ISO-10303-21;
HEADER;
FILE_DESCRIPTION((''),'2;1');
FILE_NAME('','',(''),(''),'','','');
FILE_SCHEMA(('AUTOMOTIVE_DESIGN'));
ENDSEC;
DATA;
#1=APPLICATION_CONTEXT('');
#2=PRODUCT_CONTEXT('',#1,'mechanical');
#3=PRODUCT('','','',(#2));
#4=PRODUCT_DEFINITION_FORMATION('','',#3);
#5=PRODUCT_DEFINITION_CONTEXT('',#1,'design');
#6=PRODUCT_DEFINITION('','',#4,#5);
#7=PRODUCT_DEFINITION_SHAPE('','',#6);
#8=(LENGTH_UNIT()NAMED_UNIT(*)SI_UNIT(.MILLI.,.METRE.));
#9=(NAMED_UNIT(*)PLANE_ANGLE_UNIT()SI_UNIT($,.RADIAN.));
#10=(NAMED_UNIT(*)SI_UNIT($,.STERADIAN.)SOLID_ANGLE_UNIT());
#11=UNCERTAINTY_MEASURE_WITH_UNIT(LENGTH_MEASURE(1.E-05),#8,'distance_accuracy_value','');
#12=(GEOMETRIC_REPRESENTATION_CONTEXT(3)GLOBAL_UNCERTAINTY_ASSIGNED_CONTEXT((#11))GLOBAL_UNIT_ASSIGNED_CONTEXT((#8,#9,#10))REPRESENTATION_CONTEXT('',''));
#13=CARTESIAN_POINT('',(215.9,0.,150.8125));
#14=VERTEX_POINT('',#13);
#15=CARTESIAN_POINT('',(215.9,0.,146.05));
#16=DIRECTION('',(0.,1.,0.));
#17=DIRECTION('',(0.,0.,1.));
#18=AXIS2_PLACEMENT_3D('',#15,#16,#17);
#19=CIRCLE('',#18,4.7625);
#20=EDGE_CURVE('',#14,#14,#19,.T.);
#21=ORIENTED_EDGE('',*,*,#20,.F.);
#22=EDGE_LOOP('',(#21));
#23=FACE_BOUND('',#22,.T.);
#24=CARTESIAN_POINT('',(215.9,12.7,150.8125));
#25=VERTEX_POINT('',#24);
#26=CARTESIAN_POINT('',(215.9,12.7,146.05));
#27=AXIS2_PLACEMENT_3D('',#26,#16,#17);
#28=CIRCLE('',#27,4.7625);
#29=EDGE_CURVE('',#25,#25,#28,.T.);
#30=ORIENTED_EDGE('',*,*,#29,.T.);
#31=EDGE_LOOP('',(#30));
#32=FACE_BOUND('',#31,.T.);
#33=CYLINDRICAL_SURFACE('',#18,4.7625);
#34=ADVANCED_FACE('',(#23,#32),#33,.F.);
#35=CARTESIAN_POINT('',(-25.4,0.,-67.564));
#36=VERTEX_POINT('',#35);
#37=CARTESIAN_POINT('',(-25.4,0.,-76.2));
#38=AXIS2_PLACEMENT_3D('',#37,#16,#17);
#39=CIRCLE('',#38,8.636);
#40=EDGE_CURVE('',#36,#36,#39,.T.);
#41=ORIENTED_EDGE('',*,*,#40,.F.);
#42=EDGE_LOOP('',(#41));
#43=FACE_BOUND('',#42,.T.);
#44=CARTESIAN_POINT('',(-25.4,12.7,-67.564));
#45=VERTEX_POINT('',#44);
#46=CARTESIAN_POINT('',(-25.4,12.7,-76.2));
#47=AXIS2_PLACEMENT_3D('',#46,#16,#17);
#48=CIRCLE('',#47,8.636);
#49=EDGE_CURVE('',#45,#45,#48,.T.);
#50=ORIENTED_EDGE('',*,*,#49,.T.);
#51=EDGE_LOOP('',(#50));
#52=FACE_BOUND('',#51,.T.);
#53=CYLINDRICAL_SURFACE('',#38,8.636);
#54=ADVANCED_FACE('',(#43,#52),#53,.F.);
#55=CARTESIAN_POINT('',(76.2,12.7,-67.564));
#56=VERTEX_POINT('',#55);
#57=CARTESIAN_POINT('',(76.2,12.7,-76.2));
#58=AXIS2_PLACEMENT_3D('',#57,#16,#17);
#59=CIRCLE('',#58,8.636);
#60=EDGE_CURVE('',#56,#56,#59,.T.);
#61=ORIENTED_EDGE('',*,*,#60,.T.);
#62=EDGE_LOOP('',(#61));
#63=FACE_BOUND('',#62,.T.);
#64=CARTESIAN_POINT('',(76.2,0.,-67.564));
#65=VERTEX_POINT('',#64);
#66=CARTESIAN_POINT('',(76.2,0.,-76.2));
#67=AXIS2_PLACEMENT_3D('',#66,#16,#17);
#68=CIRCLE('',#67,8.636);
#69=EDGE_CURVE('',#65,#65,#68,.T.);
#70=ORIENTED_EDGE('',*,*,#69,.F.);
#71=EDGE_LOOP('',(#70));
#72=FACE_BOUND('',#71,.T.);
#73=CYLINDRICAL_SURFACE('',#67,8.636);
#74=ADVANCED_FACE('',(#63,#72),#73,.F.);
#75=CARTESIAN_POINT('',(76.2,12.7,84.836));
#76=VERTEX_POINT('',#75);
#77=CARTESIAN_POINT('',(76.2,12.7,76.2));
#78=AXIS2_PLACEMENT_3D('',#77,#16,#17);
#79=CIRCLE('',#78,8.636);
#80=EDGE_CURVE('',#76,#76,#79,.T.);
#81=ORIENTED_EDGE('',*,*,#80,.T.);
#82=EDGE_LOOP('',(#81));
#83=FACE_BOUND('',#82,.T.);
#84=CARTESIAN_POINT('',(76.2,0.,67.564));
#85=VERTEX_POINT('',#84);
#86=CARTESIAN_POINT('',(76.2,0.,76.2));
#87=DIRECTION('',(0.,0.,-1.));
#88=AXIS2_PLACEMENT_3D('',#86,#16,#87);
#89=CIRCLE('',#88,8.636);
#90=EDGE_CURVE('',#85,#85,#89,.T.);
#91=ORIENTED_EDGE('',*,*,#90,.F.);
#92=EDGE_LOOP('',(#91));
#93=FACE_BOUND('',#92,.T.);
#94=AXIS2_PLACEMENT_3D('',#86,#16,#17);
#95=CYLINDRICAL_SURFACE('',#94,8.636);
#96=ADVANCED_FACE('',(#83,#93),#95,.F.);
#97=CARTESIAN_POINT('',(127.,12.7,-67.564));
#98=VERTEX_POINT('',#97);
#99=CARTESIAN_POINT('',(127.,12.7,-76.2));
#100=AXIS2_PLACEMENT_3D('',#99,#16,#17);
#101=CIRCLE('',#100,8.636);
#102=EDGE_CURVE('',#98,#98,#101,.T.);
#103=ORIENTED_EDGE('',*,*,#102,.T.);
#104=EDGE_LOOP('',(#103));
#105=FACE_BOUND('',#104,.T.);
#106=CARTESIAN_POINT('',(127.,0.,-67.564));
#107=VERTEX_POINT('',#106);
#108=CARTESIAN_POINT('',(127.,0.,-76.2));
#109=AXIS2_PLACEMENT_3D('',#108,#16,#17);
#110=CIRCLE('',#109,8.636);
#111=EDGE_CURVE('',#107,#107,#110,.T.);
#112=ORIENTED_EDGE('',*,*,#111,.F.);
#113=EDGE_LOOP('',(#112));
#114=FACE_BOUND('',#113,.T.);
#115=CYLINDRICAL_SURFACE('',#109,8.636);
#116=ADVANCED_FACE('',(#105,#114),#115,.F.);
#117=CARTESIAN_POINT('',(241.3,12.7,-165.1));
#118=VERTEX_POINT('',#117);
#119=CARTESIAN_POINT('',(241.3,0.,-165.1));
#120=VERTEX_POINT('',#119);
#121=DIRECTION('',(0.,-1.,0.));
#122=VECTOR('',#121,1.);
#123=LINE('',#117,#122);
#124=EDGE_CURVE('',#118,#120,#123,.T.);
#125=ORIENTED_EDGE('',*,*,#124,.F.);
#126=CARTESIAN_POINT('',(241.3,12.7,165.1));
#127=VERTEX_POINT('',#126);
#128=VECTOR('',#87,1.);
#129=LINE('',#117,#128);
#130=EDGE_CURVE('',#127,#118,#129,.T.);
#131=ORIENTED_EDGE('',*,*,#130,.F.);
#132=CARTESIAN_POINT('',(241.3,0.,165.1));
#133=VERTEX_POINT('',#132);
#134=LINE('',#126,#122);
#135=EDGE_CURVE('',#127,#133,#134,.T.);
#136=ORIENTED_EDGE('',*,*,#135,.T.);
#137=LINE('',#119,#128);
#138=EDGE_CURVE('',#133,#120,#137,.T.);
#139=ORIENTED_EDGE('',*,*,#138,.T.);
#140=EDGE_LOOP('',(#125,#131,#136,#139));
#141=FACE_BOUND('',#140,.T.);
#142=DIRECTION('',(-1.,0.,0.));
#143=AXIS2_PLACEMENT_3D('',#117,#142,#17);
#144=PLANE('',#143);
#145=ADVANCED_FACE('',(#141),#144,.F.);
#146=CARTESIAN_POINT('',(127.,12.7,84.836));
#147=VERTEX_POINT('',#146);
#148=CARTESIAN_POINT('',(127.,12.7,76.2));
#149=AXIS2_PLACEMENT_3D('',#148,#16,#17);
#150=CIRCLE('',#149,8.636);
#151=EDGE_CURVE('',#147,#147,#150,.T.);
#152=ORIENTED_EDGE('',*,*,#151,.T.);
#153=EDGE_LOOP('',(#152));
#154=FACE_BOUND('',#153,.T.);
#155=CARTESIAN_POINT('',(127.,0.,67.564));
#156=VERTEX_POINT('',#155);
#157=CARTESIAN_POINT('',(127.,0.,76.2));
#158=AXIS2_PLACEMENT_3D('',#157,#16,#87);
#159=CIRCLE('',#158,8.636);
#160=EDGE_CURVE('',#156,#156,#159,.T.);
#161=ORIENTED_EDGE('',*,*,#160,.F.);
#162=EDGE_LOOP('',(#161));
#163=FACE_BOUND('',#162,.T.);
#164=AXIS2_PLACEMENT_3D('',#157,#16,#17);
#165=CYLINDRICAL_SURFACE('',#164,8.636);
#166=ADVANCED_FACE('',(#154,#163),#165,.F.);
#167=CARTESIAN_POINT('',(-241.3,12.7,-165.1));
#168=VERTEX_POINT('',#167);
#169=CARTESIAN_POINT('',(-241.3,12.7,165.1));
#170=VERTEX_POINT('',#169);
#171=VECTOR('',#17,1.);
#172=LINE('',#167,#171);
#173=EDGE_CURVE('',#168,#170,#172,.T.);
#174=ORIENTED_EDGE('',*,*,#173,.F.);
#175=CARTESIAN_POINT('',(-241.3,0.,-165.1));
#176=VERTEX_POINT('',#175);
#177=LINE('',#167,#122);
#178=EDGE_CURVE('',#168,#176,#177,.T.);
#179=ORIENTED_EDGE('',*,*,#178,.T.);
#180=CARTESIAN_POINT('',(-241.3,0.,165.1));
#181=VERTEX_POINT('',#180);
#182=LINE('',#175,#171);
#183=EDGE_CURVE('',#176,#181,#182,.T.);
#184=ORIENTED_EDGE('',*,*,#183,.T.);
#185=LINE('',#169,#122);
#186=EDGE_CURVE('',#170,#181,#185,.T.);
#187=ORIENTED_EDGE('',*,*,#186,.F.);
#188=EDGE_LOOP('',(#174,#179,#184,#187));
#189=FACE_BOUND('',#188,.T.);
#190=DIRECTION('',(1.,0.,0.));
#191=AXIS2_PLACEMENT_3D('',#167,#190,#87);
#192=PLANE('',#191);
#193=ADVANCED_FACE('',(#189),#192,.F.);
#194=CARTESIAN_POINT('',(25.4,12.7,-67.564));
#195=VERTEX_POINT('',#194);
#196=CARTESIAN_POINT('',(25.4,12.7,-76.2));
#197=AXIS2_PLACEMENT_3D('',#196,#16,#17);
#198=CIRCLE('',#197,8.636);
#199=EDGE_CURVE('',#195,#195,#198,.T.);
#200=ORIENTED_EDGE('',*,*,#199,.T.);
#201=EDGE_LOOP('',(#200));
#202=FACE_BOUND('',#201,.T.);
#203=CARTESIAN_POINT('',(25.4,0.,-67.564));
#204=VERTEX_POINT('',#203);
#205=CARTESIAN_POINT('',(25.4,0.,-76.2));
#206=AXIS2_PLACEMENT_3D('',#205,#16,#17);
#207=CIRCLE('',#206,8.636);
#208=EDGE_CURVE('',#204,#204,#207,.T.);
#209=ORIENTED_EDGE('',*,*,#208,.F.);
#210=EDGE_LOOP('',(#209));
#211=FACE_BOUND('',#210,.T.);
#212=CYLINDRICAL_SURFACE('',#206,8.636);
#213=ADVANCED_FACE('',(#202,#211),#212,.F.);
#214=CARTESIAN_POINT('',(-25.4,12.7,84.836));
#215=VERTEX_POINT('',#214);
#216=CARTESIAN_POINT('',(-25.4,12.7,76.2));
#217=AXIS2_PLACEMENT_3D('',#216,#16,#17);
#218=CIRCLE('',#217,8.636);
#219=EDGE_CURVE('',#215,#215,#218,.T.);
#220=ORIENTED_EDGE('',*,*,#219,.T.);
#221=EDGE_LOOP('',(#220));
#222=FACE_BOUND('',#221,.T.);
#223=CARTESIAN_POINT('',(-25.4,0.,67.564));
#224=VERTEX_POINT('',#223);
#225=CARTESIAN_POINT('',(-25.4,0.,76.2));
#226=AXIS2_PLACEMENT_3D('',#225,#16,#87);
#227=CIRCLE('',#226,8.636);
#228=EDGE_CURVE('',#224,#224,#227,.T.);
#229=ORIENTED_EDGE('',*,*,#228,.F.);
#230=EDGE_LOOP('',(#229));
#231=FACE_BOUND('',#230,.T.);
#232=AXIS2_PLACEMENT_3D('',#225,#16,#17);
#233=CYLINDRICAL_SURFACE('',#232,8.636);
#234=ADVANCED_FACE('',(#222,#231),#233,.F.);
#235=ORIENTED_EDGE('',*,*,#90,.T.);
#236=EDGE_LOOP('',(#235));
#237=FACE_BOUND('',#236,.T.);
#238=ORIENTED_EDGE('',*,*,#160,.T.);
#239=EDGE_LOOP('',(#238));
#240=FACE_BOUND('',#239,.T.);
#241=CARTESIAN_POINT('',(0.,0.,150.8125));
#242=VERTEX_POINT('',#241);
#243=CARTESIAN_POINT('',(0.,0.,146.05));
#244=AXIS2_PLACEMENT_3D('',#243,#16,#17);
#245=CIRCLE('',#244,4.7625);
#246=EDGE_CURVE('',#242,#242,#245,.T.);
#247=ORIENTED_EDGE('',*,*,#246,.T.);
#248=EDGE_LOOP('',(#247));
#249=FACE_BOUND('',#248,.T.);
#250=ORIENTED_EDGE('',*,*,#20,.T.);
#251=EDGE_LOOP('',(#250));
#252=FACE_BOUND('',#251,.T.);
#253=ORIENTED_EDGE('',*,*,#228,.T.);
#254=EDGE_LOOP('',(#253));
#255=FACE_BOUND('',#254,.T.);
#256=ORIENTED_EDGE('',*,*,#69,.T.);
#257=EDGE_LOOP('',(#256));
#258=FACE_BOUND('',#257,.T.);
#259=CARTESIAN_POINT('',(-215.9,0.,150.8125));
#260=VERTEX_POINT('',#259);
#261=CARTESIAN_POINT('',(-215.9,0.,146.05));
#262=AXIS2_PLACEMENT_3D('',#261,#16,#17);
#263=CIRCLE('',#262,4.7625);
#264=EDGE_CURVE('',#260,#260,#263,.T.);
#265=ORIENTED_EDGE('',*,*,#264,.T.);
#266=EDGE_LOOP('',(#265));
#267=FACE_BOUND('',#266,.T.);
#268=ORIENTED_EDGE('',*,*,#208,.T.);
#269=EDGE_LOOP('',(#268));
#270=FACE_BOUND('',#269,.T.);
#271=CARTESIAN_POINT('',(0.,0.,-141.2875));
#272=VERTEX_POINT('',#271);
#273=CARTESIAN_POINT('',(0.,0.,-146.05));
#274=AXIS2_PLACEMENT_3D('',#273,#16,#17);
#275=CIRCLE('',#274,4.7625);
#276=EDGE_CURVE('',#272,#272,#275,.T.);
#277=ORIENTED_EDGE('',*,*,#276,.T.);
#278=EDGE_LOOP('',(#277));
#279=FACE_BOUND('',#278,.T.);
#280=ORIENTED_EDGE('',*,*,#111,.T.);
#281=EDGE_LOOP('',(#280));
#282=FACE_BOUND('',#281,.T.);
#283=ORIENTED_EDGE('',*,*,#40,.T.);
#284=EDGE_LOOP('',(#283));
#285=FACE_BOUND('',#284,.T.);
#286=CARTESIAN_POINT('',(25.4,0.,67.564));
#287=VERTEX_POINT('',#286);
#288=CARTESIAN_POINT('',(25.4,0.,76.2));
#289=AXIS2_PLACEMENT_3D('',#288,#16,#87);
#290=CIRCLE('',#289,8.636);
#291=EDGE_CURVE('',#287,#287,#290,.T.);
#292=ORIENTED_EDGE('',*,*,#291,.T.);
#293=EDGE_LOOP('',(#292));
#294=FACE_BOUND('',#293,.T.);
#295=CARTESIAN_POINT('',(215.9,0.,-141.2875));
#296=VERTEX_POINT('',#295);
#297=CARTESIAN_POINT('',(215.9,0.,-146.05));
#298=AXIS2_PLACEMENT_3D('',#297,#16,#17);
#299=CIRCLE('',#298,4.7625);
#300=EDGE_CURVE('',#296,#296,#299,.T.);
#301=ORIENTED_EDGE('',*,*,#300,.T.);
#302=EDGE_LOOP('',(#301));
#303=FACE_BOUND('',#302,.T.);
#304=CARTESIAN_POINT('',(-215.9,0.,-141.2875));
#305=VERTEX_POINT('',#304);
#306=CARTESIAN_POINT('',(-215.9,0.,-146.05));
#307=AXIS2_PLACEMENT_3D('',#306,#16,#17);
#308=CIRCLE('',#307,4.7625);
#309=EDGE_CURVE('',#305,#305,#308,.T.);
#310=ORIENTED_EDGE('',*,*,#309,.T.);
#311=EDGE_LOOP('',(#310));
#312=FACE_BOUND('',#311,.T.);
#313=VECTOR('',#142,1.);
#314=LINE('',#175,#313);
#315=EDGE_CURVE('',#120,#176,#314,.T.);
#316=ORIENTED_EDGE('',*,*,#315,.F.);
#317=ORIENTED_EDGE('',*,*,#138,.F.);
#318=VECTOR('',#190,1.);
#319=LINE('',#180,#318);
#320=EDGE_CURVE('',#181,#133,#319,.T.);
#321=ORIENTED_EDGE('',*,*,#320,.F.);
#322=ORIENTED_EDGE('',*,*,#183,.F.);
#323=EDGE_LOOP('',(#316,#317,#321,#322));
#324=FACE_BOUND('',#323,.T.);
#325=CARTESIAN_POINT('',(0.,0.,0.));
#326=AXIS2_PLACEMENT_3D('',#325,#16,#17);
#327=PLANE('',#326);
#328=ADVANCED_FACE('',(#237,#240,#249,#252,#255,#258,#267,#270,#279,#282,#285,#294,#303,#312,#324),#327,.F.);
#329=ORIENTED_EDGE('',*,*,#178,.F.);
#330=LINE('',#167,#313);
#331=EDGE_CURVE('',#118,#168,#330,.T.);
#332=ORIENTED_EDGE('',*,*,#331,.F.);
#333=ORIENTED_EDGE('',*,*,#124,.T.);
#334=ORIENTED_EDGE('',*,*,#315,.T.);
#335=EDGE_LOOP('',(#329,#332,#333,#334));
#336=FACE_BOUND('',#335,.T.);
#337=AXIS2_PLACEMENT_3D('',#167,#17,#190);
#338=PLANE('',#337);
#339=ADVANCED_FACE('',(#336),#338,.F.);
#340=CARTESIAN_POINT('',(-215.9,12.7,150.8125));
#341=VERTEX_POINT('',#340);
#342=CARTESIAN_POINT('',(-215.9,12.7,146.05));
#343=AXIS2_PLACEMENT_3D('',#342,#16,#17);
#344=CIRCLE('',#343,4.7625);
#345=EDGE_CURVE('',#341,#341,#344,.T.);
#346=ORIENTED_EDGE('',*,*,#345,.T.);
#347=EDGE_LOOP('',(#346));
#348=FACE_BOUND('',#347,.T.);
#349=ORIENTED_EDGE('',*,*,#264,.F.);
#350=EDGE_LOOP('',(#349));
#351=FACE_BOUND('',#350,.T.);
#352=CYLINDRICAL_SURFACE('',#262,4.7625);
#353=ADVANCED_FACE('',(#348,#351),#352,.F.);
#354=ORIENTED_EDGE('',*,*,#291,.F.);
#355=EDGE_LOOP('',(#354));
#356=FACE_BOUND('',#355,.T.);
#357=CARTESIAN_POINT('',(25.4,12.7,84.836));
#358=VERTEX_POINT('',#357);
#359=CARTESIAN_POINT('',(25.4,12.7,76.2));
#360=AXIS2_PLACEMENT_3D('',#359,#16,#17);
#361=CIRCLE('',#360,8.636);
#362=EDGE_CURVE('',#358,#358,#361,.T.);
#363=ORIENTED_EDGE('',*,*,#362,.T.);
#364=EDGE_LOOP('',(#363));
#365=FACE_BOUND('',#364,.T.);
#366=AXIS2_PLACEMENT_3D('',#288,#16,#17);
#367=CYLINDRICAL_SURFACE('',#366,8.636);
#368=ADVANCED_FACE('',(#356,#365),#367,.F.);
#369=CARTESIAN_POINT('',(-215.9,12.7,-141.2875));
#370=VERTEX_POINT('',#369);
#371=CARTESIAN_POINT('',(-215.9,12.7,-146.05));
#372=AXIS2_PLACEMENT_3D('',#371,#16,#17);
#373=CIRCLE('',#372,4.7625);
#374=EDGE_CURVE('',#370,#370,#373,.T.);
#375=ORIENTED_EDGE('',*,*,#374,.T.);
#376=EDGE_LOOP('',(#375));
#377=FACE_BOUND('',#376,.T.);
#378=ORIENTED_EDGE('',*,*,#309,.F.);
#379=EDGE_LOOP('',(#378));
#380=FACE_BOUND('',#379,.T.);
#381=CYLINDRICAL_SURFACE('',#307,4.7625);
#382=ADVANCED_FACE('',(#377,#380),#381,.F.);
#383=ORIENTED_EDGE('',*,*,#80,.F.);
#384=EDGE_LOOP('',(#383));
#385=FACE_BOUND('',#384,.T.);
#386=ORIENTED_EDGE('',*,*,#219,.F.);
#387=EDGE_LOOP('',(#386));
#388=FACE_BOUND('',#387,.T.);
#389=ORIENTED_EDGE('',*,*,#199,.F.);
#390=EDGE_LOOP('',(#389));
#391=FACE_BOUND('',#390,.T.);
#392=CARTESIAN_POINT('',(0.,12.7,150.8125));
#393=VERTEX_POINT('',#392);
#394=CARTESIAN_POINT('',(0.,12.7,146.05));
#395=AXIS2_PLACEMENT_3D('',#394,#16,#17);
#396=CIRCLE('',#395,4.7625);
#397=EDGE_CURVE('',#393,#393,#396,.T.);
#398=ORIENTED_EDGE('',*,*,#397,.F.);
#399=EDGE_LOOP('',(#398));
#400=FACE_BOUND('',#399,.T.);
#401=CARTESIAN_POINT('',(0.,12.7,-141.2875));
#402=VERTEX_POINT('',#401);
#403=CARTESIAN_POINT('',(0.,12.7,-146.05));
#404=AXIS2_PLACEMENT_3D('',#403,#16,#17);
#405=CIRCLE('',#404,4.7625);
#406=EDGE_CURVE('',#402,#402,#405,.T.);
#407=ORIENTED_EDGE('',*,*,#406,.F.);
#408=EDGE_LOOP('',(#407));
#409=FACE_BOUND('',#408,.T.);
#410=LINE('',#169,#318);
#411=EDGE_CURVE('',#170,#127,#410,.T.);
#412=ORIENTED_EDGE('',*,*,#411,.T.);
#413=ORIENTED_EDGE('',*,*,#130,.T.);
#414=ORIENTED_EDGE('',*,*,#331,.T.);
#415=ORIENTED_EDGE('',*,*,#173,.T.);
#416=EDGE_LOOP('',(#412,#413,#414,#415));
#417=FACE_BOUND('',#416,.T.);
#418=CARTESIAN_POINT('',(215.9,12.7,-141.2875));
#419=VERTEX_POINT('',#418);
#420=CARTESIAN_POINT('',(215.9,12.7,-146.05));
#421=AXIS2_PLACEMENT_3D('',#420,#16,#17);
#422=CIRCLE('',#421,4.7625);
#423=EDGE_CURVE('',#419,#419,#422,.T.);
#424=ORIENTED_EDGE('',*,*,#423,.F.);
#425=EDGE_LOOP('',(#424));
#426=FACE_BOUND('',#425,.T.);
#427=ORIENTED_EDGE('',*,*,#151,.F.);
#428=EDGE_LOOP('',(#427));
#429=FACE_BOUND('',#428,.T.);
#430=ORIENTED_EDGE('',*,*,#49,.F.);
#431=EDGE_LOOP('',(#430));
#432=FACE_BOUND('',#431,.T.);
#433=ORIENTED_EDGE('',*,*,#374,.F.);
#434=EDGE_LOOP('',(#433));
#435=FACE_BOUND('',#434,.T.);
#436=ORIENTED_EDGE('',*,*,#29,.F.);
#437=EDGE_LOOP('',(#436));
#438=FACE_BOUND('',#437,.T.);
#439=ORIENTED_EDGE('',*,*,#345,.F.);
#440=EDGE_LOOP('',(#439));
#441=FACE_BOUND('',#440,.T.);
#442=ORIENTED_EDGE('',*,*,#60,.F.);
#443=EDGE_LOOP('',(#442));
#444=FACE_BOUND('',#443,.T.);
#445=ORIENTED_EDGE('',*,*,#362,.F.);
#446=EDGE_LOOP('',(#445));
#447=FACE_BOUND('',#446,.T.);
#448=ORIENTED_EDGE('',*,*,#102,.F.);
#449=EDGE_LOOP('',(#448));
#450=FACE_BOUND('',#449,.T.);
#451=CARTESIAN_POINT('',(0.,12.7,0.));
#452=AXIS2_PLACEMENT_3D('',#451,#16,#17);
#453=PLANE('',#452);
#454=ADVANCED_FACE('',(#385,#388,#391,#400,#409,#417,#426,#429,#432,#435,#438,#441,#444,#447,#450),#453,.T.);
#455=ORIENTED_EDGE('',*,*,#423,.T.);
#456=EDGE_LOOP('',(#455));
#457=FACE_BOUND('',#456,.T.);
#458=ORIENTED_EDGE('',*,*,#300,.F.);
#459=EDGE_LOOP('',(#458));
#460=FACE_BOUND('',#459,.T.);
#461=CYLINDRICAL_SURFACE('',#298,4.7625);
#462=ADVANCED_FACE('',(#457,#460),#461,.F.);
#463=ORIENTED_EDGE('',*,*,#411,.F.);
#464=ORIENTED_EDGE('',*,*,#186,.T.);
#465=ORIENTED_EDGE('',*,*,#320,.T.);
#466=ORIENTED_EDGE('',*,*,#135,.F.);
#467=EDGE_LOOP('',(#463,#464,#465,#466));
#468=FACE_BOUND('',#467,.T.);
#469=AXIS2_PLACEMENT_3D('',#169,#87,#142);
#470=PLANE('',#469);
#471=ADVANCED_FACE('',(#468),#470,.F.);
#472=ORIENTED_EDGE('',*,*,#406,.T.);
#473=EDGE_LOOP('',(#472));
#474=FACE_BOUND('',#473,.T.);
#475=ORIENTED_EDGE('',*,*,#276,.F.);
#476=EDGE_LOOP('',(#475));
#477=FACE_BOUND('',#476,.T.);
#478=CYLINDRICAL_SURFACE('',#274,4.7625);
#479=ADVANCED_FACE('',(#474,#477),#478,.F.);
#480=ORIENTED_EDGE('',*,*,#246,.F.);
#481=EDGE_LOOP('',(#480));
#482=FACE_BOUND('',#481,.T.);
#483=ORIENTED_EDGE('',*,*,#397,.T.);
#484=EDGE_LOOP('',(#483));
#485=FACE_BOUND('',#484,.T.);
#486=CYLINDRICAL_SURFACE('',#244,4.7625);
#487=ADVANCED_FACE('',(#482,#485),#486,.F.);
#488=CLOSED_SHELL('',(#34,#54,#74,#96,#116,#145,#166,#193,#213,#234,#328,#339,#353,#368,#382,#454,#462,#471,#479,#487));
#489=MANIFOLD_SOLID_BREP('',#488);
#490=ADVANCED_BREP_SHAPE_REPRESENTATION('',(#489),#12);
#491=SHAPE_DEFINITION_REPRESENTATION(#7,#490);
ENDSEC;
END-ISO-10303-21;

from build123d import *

# Parameters (mm, degrees)
SKETCH1_W               = 482.6
SKETCH1_H               = 330.2
BOSS_EXTRUDE1_DEPTH     = 12.7
CUT_EXTRUDE1_DEPTH      = 293.651652994
CUT_EXTRUDE1_DEPTH_BACK = 293.651652994
SKETCH2_R               = 4.7625
CUT_EXTRUDE2_DEPTH      = 293.651652994
CUT_EXTRUDE2_DEPTH_BACK = 293.651652994
SKETCH4_R               = 8.636


with BuildPart() as part:
    # Sketch1 → Boss-Extrude1 (new body)
    with BuildSketch(Plane(origin=(0, 0, 0), x_dir=(1, 0, 0), z_dir=(0, 1, 0))):
        Rectangle(SKETCH1_W, SKETCH1_H)
    extrude(amount=BOSS_EXTRUDE1_DEPTH)

    # Sketch2 → Cut-Extrude1 (cut, two sides: drawn at the far end of the back side and taken through both)
    with BuildSketch(Plane(origin=(0, 12.7, 0), x_dir=(1, 0, 0), z_dir=(0, 1, 0)).offset(-CUT_EXTRUDE1_DEPTH_BACK)):
        with Locations(Location((215.9, 146.05, 0), (0, 0, 270))):
            Circle(SKETCH2_R)
        with Locations(Location((-215.9, 146.05, 0), (0, 0, 270))):
            Circle(SKETCH2_R)
        with Locations(Location((215.9, -146.05, 0), (0, 0, 270))):
            Circle(SKETCH2_R)
        with Locations(Location((-215.9, -146.05, 0), (0, 0, 270))):
            Circle(SKETCH2_R)
        with Locations(Location((0, 146.05, 0), (0, 0, 270))):
            Circle(SKETCH2_R)
        with Locations(Location((0, -146.05, 0), (0, 0, 270))):
            Circle(SKETCH2_R)
    extrude(amount=CUT_EXTRUDE1_DEPTH + CUT_EXTRUDE1_DEPTH_BACK, mode=Mode.SUBTRACT)

    # Sketch4 → Cut-Extrude2 (cut, two sides: drawn at the far end of the back side and taken through both)
    with BuildSketch(Plane(origin=(0, 12.7, 0), x_dir=(1, 0, 0), z_dir=(0, 1, 0)).offset(-CUT_EXTRUDE2_DEPTH_BACK)):
        with Locations(Location((-25.4, 76.2, 0), (0, 0, 270))):
            Circle(SKETCH4_R)
        with Locations(Location((25.4, 76.2, 0), (0, 0, 270))):
            Circle(SKETCH4_R)
        with Locations(Location((76.2, 76.2, 0), (0, 0, 270))):
            Circle(SKETCH4_R)
        with Locations(Location((127, 76.2, 0), (0, 0, 270))):
            Circle(SKETCH4_R)
        with Locations(Location((127, -76.2, 0), (0, 0, 270))):
            Circle(SKETCH4_R)
        with Locations(Location((76.2, -76.2, 0), (0, 0, 270))):
            Circle(SKETCH4_R)
        with Locations(Location((25.4, -76.2, 0), (0, 0, 270))):
            Circle(SKETCH4_R)
        with Locations(Location((-25.4, -76.2, 0), (0, 0, 270))):
            Circle(SKETCH4_R)
    extrude(amount=CUT_EXTRUDE2_DEPTH + CUT_EXTRUDE2_DEPTH_BACK, mode=Mode.SUBTRACT)


solid = part.part
